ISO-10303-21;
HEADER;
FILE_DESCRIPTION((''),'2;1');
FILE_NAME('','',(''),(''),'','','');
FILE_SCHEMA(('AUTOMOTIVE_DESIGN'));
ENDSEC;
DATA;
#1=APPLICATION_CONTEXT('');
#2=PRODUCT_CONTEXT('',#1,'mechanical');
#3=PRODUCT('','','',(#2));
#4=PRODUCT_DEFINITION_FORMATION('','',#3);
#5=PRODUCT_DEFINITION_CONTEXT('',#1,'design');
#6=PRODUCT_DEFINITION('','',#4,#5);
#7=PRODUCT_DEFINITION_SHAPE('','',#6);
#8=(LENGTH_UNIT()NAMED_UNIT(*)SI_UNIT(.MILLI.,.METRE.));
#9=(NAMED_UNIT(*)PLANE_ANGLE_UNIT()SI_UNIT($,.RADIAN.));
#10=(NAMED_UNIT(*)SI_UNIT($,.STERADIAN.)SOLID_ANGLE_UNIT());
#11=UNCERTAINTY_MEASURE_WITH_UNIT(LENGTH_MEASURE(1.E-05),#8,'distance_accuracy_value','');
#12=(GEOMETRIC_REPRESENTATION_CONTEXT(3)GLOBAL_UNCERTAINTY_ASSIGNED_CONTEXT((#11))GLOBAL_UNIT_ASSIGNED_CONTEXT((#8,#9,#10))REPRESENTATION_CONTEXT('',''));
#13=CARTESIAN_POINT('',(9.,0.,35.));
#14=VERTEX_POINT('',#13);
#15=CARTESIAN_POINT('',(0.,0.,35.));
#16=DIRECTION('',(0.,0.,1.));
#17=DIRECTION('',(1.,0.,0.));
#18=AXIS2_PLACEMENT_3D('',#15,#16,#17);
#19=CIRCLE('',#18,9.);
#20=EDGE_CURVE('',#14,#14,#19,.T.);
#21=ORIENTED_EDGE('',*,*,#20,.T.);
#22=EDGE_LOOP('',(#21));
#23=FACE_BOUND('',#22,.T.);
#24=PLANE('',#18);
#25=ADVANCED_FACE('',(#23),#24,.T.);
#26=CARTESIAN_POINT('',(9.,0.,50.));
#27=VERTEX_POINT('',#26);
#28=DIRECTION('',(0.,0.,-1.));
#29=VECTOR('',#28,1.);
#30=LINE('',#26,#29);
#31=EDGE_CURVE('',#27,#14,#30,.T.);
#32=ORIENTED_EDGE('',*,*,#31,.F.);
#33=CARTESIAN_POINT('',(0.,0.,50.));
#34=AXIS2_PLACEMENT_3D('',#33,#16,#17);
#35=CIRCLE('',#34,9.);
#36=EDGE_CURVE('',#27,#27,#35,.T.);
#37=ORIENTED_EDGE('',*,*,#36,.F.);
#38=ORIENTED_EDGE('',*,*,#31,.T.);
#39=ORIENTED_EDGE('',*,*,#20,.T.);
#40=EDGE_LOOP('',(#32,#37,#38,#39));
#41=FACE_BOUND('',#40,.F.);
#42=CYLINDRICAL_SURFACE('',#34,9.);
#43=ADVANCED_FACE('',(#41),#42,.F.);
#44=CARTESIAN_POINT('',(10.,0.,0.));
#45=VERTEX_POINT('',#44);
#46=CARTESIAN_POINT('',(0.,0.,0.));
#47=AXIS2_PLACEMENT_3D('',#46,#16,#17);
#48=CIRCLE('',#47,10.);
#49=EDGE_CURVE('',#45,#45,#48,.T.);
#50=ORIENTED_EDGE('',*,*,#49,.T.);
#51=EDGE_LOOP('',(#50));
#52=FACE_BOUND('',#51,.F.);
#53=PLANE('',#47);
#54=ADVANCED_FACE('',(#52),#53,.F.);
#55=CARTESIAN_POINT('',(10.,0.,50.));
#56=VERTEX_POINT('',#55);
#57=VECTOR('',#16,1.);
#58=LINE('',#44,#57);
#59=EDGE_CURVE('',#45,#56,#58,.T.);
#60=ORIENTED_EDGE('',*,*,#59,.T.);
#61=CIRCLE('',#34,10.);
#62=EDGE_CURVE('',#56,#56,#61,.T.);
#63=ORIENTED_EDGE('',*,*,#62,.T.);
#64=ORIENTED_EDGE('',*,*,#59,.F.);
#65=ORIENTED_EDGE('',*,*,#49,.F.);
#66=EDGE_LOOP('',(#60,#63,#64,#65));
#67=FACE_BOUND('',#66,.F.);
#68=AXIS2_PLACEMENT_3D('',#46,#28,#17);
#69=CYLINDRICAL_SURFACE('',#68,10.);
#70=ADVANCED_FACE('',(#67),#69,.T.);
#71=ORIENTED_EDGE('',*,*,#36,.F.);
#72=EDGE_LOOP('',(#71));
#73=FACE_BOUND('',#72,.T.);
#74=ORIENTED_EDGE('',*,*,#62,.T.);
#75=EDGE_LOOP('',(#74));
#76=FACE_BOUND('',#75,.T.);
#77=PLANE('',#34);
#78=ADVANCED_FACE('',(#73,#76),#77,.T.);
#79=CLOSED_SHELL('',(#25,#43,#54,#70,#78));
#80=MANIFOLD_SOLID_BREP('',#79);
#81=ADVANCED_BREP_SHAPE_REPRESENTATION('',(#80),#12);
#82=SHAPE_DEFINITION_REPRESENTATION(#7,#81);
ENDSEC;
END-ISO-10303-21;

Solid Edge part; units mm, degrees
sketch "Sketch1" plane through (0, 0, 0) normal (0, 0, 1) x (1, 0, 0)
  circle A0 centre (0, 0) radius 10
  dimension "D1" = 20
extrude "Protrusion1" add sketch "Sketch1" along normal blind 50
sketch "Sketch2" plane through (0, 0, 50) normal (0, 0, 1) x (1, 0, 0)
  circle A0 centre (0, 0) radius 9
  dimension "D1" = 18
extrude "ExtrudedCutout_1" cut sketch "Sketch2" against normal blind 15
